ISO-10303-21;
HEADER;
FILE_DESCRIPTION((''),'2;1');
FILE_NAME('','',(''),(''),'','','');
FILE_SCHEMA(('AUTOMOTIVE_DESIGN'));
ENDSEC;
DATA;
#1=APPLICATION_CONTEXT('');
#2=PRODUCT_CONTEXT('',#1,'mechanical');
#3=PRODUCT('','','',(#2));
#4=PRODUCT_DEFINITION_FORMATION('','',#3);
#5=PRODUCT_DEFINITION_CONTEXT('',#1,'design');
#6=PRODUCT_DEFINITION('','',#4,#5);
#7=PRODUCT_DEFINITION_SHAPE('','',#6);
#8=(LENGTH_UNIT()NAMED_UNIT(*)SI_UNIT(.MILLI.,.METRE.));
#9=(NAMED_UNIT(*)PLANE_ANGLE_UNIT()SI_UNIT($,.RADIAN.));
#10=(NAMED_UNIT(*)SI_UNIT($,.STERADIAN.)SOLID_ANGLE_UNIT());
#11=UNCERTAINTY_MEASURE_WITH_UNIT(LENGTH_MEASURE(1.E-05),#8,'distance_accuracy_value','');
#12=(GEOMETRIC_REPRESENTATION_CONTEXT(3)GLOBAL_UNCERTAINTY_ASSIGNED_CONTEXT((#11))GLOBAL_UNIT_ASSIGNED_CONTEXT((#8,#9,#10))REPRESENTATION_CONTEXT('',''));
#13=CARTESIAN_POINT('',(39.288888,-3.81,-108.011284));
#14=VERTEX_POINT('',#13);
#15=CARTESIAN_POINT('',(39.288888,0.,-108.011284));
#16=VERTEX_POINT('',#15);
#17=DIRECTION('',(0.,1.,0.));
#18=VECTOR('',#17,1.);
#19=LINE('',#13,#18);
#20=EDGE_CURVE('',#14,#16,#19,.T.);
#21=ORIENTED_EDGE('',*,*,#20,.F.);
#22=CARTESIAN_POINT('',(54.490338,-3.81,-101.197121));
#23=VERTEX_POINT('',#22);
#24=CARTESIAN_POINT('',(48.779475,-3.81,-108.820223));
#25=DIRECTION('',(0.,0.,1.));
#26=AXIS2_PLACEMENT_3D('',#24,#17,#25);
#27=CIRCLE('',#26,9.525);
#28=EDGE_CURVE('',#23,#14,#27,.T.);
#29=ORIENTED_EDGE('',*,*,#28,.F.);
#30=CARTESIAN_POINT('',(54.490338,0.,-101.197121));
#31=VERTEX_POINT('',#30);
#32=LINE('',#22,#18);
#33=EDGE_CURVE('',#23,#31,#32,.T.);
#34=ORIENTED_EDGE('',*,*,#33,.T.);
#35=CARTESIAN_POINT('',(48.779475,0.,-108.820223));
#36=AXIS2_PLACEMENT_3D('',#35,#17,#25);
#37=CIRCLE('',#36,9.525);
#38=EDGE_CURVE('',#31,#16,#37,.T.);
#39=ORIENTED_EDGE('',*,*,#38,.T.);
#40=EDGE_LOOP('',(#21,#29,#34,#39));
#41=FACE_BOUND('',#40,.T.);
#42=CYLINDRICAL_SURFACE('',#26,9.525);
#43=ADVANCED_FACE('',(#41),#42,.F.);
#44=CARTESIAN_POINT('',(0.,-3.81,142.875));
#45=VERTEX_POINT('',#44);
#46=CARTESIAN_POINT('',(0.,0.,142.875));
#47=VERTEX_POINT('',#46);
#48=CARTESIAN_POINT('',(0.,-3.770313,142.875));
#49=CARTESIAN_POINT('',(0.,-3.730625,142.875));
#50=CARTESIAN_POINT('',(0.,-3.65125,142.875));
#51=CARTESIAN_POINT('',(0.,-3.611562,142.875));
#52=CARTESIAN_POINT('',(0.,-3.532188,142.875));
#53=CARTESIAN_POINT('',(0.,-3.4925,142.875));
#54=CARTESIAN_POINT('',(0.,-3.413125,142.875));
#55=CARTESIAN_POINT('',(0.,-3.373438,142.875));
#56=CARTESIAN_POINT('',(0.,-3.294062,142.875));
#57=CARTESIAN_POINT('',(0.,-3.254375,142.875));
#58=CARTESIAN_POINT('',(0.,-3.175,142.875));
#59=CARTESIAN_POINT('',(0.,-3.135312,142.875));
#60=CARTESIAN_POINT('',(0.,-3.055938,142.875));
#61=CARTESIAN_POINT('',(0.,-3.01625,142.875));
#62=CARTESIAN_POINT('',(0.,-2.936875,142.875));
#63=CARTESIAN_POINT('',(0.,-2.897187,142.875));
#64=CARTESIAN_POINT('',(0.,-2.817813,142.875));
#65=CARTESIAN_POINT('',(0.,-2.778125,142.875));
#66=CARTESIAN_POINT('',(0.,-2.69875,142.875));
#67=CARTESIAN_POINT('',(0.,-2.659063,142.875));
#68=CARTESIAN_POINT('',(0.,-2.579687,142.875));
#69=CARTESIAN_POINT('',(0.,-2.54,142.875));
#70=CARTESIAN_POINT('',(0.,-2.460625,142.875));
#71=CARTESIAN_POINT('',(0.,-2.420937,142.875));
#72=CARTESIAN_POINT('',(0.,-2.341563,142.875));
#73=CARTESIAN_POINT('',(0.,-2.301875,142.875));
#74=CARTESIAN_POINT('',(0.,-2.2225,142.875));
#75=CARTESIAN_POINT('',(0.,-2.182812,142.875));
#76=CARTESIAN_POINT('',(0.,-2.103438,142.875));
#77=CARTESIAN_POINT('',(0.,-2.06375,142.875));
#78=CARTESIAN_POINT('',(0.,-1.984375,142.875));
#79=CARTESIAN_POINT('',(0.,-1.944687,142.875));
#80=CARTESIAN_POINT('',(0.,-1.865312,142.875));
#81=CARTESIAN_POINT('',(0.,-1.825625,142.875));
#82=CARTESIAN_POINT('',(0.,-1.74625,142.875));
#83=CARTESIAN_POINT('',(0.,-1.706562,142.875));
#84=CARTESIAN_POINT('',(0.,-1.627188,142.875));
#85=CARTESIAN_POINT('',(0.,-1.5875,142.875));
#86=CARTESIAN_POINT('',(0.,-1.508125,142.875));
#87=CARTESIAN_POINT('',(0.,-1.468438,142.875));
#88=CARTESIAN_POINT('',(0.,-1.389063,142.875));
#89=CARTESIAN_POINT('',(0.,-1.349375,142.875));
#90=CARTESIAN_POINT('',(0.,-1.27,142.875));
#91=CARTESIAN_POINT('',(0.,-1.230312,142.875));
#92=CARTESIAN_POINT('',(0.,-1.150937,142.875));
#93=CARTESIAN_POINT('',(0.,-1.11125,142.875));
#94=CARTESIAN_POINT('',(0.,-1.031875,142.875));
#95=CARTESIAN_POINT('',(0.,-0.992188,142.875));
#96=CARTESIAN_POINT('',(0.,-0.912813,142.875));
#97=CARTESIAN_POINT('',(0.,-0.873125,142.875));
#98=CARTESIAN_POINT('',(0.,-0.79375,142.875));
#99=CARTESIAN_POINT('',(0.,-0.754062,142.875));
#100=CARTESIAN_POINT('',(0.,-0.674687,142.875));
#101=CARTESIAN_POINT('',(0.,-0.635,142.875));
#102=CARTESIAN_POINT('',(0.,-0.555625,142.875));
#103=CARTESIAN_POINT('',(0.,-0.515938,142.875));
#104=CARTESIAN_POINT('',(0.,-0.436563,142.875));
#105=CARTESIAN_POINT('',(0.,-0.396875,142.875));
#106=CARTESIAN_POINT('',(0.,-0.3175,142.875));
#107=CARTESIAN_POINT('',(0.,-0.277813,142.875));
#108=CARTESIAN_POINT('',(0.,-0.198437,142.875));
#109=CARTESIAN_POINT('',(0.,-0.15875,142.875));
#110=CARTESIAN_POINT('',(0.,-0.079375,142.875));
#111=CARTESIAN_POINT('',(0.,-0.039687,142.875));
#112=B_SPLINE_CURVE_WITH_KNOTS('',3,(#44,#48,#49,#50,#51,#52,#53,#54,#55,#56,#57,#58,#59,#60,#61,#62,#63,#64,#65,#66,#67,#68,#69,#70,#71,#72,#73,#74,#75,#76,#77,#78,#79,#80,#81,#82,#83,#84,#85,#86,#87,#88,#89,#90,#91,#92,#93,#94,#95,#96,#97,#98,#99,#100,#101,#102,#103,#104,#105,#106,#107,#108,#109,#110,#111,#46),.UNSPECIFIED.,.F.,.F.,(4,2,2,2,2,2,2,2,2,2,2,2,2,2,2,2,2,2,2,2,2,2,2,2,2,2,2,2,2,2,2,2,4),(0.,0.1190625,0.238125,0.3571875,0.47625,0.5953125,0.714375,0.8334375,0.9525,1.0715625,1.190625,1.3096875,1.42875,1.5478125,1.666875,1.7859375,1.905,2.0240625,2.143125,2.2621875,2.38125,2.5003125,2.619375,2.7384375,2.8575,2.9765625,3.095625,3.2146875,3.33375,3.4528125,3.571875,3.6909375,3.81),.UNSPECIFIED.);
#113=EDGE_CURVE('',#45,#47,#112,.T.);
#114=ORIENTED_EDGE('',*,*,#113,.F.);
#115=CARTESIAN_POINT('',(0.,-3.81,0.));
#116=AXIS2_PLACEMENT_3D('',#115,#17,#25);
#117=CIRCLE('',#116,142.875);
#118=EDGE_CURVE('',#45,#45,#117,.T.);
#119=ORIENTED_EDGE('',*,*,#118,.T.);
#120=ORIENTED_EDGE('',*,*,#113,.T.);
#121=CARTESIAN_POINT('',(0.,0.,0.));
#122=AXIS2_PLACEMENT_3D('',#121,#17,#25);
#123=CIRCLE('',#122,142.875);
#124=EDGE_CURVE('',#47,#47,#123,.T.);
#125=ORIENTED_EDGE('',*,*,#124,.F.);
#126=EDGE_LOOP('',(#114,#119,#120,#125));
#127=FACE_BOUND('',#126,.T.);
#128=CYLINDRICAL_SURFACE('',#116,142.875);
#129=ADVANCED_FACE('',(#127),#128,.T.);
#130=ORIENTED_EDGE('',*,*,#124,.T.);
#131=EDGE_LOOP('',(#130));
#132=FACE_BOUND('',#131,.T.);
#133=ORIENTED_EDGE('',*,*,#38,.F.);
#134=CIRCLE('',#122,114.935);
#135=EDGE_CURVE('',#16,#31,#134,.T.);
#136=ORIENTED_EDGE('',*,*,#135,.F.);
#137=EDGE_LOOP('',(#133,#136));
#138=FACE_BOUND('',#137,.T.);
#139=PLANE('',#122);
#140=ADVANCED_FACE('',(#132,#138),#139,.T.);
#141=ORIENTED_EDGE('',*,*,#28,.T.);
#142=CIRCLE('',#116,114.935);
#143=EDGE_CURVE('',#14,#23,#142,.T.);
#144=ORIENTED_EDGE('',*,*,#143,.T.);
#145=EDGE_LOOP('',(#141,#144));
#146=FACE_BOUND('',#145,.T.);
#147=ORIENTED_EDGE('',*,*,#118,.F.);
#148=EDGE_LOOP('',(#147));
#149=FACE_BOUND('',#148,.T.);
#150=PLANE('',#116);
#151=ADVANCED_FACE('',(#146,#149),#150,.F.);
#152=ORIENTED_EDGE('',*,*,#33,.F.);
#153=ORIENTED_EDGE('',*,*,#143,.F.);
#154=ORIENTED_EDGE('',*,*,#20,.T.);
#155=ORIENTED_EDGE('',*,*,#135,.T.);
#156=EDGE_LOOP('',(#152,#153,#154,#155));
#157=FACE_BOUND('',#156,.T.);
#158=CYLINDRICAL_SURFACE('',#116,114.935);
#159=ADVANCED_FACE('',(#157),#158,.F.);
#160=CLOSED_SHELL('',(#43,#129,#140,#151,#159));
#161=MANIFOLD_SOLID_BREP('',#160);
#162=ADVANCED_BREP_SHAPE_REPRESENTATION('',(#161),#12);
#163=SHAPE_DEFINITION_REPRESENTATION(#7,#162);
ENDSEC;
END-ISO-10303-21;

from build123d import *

# Parameters (mm, degrees)
SKETCH1_R           = 142.875
BOSS_EXTRUDE2_DEPTH = 3.81


with BuildPart() as part:
    # Sketch1 → Boss-Extrude2 (new body)
    with BuildSketch(Plane(origin=(0, 0, 0), x_dir=(1, 0, 0), z_dir=(0, 1, 0))):
        with Locations(Location((0, 0, 0), (0, 0, 270))):
            Circle(SKETCH1_R)
        with BuildLine():
            ThreePointArc((54.490337546, 101.1971212), (98.67345431, 58.937285648), (114.935, 0))
            ThreePointArc((114.935, 0), (-94.142770704, -65.933246159), (39.288887865, 108.011284204))
            ThreePointArc((39.288887865, 108.011284204), (48.374639999, 118.336615411), (58.304474981, 108.820222521))
            ThreePointArc((58.304474981, 108.820222521), (57.297737448, 104.558200756), (54.490337546, 101.1971212))
        make_face(mode=Mode.SUBTRACT)
    extrude(amount=-BOSS_EXTRUDE2_DEPTH)


solid = part.part
